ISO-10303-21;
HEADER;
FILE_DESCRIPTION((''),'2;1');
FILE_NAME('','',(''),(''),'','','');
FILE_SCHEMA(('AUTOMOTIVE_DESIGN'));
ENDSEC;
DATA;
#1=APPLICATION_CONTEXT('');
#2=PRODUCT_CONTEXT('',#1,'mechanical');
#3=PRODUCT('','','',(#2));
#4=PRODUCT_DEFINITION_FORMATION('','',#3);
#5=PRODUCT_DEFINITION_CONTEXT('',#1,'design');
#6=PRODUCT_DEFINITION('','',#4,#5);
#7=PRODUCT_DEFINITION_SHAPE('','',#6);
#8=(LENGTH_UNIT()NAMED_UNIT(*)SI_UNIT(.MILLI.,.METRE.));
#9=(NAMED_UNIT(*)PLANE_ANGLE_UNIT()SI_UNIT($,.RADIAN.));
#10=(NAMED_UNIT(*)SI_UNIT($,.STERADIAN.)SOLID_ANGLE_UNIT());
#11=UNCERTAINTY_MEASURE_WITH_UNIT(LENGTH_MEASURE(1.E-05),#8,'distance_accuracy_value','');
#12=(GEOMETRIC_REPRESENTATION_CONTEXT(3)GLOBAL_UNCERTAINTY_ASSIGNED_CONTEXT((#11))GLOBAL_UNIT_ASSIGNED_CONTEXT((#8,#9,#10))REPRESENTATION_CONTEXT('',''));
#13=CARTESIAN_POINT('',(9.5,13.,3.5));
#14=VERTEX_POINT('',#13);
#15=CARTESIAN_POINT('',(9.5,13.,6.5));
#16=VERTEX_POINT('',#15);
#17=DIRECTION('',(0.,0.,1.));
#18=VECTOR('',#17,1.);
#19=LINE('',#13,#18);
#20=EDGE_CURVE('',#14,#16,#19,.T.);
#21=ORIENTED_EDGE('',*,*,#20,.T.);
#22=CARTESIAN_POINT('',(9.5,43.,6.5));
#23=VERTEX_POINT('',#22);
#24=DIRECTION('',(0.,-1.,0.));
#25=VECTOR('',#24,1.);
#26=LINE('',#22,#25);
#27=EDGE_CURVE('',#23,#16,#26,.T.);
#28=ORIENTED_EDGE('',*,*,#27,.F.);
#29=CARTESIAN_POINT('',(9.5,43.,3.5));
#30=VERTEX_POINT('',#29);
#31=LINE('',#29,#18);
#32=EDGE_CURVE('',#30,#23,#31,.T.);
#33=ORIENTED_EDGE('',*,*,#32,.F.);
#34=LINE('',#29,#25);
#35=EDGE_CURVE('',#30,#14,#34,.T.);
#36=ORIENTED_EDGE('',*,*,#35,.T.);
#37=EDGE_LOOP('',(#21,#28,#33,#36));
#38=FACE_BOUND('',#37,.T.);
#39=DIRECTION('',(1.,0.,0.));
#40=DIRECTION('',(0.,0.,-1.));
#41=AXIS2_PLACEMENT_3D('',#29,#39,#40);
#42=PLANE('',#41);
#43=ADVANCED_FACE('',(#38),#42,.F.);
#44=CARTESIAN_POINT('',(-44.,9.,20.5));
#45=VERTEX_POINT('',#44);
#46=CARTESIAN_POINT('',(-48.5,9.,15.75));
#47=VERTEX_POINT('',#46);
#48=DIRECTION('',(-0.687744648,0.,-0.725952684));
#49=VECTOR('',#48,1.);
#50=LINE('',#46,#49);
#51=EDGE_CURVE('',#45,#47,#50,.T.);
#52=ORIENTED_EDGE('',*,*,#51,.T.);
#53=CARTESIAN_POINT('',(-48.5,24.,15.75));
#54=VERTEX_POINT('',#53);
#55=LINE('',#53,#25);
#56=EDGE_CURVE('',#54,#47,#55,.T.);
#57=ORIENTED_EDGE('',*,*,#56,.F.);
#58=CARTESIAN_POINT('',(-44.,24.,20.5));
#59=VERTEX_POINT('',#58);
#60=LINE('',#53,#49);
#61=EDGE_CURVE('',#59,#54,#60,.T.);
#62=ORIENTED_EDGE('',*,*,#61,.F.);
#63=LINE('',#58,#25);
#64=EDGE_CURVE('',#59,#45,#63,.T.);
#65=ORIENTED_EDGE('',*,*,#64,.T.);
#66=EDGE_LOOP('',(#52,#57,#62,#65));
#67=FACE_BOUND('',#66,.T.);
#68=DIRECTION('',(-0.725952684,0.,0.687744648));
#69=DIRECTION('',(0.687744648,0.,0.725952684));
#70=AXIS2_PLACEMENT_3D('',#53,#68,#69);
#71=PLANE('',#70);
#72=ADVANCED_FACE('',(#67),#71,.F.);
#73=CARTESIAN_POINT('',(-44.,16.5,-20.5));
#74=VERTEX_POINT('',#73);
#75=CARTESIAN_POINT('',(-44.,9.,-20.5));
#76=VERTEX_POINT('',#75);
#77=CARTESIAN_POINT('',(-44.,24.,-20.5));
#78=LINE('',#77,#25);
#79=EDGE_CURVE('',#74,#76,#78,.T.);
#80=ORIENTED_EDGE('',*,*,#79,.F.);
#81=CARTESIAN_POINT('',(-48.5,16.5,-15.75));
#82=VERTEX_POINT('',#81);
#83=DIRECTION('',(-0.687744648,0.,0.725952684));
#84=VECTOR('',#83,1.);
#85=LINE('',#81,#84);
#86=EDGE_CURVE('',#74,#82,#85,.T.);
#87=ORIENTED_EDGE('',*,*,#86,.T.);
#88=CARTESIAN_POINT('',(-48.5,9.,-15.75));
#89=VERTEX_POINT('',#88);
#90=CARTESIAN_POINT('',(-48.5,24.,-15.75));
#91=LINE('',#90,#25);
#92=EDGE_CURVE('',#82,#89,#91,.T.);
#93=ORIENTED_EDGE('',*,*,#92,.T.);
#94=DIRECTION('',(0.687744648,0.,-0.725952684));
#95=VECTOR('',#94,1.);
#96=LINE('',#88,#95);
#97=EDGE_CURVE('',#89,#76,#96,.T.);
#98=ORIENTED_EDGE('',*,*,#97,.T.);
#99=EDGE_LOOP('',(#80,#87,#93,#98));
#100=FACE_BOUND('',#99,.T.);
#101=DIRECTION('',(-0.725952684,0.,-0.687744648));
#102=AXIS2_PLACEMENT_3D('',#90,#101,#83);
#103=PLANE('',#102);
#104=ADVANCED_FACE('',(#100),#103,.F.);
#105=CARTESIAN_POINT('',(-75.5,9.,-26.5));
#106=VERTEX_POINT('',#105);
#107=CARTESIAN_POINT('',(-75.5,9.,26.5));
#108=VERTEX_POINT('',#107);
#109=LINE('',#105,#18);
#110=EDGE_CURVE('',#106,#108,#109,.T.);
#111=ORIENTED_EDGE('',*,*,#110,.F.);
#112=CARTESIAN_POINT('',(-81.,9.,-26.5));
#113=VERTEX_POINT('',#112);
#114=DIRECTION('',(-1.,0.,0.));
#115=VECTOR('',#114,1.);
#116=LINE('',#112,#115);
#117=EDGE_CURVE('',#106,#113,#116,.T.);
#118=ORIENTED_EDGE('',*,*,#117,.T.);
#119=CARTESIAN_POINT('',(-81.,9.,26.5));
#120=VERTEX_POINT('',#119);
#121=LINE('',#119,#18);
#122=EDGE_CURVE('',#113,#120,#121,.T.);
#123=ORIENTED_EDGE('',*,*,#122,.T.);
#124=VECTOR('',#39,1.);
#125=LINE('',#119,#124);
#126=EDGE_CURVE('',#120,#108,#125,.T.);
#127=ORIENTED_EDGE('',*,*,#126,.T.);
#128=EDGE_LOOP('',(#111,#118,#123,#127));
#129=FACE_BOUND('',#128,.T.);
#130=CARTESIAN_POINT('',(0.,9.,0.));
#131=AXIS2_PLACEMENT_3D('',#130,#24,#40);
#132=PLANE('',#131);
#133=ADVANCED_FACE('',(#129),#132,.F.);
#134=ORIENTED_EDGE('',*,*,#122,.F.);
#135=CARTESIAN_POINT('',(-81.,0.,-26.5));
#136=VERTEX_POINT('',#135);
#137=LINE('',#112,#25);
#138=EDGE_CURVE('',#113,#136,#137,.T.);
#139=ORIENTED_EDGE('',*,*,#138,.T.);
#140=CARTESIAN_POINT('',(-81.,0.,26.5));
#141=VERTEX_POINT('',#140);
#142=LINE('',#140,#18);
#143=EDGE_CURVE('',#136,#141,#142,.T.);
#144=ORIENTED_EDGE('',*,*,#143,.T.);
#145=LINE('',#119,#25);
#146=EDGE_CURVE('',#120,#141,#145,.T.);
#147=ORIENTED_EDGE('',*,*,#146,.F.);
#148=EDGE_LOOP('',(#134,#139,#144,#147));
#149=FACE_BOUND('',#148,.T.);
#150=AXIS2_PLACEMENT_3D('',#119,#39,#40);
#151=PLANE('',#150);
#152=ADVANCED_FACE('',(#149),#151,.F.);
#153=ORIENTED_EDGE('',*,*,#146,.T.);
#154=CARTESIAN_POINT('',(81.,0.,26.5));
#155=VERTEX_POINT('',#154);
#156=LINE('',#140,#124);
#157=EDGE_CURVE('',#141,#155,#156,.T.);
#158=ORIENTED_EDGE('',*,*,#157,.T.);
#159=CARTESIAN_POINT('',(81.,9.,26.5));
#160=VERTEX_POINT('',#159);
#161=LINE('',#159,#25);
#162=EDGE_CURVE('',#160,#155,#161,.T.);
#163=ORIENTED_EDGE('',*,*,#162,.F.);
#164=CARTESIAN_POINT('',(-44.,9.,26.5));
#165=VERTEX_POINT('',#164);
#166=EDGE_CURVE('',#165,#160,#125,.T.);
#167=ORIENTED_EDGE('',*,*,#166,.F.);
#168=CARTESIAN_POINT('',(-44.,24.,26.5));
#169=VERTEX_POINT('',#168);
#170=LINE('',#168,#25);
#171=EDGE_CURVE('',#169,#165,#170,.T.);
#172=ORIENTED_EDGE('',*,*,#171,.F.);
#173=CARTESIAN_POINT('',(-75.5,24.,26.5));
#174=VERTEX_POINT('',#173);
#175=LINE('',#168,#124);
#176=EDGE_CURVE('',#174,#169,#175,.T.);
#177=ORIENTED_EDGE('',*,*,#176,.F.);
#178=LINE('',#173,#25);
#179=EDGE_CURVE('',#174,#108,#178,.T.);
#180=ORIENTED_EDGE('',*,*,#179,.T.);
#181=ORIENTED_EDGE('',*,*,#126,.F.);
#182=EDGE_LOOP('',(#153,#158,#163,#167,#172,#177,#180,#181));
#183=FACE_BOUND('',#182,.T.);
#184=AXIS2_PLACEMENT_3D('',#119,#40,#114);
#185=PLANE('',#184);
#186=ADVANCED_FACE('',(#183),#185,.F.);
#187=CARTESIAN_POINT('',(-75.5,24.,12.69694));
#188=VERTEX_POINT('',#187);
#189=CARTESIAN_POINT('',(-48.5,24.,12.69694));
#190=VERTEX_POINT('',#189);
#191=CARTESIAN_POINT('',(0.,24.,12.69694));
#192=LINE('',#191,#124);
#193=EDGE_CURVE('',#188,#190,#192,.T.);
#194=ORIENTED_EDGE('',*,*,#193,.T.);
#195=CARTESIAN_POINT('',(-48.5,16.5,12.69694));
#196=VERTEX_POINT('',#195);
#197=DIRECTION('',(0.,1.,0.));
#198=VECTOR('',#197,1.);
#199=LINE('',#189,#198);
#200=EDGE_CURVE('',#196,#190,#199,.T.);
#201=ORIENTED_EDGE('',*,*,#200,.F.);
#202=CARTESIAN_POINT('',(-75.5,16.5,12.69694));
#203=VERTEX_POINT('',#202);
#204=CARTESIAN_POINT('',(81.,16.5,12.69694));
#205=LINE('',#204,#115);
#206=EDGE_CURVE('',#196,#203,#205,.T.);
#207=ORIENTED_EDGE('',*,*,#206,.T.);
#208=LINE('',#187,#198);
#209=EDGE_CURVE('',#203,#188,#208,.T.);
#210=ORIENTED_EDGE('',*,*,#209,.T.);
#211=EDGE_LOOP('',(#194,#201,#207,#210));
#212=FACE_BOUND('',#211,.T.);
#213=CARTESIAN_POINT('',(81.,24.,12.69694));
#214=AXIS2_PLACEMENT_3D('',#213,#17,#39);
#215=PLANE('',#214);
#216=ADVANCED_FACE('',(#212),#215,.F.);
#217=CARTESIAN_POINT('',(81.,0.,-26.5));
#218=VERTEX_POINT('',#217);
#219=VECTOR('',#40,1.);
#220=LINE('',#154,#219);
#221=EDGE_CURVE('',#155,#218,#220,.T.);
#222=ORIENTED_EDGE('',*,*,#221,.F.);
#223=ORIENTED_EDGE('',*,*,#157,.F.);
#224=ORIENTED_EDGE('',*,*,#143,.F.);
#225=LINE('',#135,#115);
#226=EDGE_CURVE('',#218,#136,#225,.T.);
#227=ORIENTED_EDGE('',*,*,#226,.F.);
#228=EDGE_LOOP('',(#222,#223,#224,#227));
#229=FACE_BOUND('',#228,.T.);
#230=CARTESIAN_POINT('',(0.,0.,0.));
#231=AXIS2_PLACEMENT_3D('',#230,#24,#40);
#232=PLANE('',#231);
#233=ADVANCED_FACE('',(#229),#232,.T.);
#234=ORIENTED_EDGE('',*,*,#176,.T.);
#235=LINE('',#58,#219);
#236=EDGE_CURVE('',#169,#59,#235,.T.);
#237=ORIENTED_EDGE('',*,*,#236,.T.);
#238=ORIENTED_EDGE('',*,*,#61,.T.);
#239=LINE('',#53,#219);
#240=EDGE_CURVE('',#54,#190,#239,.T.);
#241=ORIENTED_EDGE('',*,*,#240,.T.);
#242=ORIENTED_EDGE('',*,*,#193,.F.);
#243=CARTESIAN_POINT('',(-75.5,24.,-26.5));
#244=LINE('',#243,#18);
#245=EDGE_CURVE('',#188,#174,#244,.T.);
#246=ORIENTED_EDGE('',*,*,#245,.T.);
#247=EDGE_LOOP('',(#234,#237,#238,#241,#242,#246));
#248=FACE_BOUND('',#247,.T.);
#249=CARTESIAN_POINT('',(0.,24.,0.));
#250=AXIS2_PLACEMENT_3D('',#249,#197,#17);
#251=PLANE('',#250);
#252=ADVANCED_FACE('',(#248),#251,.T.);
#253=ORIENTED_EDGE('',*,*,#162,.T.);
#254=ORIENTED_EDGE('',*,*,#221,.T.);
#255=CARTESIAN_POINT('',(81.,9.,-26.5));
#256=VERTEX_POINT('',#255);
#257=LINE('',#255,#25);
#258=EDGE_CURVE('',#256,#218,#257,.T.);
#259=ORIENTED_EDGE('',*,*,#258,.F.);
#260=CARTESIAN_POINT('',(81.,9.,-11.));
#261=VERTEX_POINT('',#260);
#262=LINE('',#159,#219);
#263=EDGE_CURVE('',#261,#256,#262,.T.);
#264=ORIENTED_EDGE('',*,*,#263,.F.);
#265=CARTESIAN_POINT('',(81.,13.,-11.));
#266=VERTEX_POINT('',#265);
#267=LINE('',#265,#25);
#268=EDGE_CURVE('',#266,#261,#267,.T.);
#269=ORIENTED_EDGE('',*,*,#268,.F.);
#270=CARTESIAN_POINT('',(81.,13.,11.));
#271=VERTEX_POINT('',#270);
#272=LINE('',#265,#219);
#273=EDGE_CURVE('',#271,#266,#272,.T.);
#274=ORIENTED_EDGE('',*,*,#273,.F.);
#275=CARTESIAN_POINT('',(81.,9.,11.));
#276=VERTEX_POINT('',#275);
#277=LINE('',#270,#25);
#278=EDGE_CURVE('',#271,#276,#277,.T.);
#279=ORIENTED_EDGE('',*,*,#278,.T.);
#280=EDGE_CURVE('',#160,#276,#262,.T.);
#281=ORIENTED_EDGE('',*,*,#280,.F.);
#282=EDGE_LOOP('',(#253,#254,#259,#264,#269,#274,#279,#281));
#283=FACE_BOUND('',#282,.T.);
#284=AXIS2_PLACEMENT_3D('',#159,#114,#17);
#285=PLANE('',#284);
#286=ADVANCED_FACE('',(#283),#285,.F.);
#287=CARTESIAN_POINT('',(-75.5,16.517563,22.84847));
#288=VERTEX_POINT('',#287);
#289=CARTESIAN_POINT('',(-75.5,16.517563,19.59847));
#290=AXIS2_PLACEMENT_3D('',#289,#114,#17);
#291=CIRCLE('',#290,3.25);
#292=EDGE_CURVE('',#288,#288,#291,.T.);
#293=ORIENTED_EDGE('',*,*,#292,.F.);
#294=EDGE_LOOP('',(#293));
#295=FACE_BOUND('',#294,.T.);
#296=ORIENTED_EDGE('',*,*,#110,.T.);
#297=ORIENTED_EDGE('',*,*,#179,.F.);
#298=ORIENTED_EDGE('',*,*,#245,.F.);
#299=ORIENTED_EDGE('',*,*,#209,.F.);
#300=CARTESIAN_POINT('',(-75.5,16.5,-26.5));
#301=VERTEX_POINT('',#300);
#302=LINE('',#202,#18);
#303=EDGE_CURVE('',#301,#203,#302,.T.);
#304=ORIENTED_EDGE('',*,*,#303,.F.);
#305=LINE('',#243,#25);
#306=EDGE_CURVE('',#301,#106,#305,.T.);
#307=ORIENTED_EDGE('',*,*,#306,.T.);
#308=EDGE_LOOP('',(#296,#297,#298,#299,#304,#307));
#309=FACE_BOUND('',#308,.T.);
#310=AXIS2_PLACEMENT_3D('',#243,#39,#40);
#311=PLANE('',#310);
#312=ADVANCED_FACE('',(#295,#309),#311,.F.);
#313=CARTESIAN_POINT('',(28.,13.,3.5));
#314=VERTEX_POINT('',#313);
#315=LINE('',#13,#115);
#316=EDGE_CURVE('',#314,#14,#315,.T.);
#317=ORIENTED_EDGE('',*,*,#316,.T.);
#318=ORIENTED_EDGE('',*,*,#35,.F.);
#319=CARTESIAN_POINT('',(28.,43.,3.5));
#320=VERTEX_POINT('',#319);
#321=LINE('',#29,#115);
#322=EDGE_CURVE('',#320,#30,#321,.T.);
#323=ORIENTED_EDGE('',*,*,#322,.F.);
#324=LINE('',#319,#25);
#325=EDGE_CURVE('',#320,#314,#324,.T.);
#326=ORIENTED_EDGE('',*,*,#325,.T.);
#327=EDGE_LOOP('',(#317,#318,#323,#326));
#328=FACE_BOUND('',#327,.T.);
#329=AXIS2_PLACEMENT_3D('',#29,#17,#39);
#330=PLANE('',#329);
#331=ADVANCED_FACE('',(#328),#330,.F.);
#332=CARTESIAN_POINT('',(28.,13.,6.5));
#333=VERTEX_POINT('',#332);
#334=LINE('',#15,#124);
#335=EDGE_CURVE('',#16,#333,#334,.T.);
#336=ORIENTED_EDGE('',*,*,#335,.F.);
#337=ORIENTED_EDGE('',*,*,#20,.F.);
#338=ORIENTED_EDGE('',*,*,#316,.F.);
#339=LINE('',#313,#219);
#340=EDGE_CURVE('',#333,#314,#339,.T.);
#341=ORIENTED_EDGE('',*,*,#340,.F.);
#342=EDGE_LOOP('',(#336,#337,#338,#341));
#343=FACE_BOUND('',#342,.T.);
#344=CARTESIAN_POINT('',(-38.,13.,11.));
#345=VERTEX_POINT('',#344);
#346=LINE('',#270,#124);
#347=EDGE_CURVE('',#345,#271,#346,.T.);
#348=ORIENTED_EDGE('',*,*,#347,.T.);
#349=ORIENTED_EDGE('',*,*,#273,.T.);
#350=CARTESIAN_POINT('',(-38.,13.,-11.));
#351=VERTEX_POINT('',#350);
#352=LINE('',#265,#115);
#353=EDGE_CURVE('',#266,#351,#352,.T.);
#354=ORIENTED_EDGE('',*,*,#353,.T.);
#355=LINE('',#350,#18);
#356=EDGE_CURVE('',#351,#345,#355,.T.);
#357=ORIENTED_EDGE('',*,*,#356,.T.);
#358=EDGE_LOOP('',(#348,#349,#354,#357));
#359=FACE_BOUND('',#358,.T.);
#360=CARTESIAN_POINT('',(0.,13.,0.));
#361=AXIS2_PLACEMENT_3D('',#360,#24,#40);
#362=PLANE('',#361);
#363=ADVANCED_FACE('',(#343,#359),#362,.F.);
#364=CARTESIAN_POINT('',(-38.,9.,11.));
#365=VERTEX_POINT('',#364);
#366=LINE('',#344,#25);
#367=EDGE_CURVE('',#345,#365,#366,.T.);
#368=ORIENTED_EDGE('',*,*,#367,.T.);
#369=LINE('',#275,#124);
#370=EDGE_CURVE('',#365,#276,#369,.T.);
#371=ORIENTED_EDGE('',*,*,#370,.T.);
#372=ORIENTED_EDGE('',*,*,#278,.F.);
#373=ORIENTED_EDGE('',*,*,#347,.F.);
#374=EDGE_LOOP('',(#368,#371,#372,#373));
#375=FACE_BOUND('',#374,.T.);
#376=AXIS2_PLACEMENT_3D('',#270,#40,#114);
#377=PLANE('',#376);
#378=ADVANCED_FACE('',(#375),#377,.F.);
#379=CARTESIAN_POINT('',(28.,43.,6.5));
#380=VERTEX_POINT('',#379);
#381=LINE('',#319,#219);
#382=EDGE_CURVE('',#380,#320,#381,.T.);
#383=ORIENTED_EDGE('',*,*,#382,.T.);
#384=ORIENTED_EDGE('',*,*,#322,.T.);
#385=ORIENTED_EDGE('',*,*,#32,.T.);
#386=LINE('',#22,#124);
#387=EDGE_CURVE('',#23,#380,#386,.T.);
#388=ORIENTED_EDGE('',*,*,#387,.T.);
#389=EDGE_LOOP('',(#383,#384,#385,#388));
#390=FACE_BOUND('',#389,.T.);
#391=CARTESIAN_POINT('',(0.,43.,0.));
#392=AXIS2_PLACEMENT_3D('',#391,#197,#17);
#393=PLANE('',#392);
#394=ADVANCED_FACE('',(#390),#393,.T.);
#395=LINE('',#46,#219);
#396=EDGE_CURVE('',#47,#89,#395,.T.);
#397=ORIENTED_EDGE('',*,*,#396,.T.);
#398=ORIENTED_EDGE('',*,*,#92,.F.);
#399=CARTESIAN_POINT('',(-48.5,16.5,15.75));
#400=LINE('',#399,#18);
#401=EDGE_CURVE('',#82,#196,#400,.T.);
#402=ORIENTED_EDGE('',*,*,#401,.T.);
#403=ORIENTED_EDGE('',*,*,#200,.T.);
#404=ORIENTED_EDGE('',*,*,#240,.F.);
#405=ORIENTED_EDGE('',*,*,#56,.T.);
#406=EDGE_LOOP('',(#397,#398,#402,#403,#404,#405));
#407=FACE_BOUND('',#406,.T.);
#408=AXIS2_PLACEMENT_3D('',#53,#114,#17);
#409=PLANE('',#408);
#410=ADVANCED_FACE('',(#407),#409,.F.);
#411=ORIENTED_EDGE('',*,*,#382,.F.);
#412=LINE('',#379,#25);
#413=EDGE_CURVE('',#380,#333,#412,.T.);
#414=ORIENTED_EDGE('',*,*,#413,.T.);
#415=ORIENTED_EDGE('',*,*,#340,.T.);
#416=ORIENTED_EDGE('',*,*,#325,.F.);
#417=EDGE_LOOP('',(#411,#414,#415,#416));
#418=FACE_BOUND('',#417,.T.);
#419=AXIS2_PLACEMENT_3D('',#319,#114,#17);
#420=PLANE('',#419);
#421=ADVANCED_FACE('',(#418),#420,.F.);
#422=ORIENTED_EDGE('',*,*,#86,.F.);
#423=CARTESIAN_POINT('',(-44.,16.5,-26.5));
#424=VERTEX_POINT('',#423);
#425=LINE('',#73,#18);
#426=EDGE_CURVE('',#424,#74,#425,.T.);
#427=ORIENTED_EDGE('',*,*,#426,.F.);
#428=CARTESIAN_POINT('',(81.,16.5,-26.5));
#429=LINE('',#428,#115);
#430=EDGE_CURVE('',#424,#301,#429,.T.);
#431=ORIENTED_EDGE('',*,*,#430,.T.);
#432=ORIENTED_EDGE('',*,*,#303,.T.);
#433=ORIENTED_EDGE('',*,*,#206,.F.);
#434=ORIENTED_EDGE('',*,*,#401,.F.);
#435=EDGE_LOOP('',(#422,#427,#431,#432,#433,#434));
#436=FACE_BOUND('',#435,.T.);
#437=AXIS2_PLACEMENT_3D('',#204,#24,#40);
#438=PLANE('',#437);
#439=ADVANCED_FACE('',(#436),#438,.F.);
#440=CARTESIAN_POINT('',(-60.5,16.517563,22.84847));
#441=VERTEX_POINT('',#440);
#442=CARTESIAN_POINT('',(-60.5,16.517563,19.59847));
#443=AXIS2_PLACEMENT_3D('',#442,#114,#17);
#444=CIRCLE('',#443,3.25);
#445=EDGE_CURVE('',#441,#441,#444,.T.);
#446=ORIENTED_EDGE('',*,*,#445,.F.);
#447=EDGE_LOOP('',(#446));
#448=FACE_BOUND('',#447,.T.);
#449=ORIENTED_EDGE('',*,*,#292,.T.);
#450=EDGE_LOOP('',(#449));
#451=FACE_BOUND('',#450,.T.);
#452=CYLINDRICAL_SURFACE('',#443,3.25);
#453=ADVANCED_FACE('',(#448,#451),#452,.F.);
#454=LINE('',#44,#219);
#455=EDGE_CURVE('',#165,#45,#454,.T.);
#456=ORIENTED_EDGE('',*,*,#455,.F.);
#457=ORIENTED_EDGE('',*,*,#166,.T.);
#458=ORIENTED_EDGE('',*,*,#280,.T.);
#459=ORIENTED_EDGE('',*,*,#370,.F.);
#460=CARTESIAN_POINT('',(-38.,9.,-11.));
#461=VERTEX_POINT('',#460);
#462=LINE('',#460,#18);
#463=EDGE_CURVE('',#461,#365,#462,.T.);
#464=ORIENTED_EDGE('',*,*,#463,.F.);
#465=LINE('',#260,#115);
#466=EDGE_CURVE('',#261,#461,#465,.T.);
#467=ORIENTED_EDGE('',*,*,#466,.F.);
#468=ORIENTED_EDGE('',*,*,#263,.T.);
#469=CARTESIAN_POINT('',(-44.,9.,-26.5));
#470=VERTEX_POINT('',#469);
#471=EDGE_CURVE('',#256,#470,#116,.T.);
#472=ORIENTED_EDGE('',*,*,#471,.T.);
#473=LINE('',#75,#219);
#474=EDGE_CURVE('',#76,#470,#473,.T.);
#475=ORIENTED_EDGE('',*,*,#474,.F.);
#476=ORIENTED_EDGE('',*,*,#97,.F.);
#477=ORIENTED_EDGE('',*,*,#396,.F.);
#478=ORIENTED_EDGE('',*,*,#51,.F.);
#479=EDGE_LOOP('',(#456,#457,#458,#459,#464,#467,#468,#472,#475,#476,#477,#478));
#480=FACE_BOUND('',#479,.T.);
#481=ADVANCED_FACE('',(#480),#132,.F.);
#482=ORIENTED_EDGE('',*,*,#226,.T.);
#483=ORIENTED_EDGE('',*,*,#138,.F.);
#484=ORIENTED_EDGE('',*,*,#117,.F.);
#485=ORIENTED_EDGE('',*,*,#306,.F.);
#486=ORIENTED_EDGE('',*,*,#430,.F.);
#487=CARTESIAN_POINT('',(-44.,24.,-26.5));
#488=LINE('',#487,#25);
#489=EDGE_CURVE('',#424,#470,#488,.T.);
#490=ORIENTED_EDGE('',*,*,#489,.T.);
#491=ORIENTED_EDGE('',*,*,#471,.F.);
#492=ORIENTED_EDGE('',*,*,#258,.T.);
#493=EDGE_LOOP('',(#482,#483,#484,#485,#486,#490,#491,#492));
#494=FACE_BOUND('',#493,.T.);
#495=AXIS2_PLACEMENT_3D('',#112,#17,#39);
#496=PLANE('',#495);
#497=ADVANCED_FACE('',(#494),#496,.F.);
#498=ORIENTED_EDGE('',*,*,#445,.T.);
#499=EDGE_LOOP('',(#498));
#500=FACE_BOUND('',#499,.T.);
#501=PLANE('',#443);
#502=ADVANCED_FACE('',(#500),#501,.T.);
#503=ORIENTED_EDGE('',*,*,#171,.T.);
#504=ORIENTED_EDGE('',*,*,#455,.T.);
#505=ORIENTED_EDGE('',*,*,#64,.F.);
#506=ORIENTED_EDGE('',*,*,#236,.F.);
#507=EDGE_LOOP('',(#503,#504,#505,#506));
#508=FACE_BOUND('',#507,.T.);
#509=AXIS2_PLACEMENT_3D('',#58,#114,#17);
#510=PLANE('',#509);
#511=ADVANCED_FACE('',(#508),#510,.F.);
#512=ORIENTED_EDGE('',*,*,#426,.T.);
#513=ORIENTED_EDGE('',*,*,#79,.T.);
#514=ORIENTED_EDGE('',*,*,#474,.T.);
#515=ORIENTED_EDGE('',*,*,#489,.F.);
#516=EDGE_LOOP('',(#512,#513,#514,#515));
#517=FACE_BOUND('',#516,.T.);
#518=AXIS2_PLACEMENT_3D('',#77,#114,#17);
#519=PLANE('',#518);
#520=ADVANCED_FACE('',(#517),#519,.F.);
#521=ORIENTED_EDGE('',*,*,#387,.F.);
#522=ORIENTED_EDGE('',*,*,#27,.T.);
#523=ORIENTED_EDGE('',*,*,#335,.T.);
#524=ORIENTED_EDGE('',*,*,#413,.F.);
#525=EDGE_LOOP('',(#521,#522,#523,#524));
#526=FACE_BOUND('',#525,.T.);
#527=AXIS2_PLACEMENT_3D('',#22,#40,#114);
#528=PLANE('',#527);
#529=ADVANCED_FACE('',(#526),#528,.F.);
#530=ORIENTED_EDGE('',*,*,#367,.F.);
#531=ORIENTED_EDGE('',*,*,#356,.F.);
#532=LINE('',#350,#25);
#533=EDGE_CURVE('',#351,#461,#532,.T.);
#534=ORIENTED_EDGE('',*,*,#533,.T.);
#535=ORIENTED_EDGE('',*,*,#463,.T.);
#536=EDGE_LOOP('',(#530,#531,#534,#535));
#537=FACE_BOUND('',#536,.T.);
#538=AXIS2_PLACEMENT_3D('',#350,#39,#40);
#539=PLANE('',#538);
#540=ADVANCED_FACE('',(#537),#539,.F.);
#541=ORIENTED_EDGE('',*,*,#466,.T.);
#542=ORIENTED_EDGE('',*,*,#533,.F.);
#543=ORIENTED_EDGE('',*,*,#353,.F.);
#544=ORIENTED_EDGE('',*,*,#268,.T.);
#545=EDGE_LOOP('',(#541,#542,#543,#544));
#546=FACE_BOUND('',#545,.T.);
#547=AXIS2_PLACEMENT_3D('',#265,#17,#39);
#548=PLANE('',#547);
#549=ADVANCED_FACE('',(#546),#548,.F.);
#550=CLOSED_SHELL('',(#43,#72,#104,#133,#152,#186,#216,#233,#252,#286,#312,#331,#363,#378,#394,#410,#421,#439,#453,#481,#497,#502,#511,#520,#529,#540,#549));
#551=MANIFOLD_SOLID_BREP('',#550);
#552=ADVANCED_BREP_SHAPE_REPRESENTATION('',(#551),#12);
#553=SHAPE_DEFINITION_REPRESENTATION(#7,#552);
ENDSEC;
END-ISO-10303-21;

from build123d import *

# Parameters (mm, degrees)
SKETCH_1_W          = 162
SKETCH_1_H          = 53
EXTRUDE_1_DEPTH     = 9
EXTRUDE_2_DEPTH     = 15
SKETCH_5_W          = 39.196939595
SKETCH_5_H          = 7.5
CUT_EXTRUDE_1_DEPTH = 157.5
SKETCH_6_R          = 3.25
CUT_EXTRUDE_2_DEPTH = 15
SKETCH_7_W          = 119
SKETCH_7_H          = 22
EXTRUDE_3_DEPTH     = 4
SKETCH_8_W          = 18.5
SKETCH_8_H          = 3
EXTRUDE_4_DEPTH     = 30


with BuildPart() as part:
    # 草图1 → 凸台-拉伸1 (new body)
    with BuildSketch(Plane(origin=(0, 0, 0), x_dir=(1, 0, 0), z_dir=(0, 1, 0))):
        Rectangle(SKETCH_1_W, SKETCH_1_H)
    extrude(amount=EXTRUDE_1_DEPTH)

    # 草图2 → 凸台-拉伸2 (add)
    with BuildSketch(Plane(origin=(0, 9, 0), x_dir=(1, 0, 0), z_dir=(0, 1, 0))):
        Polygon((-75.5, 26.5), (-75.5, -26.5), (-44, -26.5), (-44, -20.5), (-48.5, -15.75), (-48.5, 15.75), (-44, 20.5), (-44, 26.5), align=None)
    extrude(amount=EXTRUDE_2_DEPTH)

    # 草图5 → 切除-拉伸1 (cut, through all)
    with BuildSketch(Plane.ZY.offset(75.5)):
        with Locations((-6.901530203, 20.25)):
            Rectangle(SKETCH_5_W, SKETCH_5_H)
    extrude(amount=-CUT_EXTRUDE_1_DEPTH, mode=Mode.SUBTRACT)

    # 草图6 → 切除-拉伸2 (cut)
    with BuildSketch(Plane.ZY.offset(75.5)):
        with Locations((19.598469797, 16.517563147)):
            Circle(SKETCH_6_R)
    extrude(amount=-CUT_EXTRUDE_2_DEPTH, mode=Mode.SUBTRACT)

    # 草图7 → 凸台-拉伸3 (add)
    with BuildSketch(Plane(origin=(0, 9, 0), x_dir=(1, 0, 0), z_dir=(0, 1, 0))):
        with Locations((21.5, 0)):
            Rectangle(SKETCH_7_W, SKETCH_7_H)
    extrude(amount=EXTRUDE_3_DEPTH)

    # 草图8 → 凸台-拉伸4 (add)
    with BuildSketch(Plane(origin=(0, 13, 0), x_dir=(1, 0, 0), z_dir=(0, 1, 0))):
        with Locations((18.75, -5)):
            Rectangle(SKETCH_8_W, SKETCH_8_H)
    extrude(amount=EXTRUDE_4_DEPTH)


solid = part.part
